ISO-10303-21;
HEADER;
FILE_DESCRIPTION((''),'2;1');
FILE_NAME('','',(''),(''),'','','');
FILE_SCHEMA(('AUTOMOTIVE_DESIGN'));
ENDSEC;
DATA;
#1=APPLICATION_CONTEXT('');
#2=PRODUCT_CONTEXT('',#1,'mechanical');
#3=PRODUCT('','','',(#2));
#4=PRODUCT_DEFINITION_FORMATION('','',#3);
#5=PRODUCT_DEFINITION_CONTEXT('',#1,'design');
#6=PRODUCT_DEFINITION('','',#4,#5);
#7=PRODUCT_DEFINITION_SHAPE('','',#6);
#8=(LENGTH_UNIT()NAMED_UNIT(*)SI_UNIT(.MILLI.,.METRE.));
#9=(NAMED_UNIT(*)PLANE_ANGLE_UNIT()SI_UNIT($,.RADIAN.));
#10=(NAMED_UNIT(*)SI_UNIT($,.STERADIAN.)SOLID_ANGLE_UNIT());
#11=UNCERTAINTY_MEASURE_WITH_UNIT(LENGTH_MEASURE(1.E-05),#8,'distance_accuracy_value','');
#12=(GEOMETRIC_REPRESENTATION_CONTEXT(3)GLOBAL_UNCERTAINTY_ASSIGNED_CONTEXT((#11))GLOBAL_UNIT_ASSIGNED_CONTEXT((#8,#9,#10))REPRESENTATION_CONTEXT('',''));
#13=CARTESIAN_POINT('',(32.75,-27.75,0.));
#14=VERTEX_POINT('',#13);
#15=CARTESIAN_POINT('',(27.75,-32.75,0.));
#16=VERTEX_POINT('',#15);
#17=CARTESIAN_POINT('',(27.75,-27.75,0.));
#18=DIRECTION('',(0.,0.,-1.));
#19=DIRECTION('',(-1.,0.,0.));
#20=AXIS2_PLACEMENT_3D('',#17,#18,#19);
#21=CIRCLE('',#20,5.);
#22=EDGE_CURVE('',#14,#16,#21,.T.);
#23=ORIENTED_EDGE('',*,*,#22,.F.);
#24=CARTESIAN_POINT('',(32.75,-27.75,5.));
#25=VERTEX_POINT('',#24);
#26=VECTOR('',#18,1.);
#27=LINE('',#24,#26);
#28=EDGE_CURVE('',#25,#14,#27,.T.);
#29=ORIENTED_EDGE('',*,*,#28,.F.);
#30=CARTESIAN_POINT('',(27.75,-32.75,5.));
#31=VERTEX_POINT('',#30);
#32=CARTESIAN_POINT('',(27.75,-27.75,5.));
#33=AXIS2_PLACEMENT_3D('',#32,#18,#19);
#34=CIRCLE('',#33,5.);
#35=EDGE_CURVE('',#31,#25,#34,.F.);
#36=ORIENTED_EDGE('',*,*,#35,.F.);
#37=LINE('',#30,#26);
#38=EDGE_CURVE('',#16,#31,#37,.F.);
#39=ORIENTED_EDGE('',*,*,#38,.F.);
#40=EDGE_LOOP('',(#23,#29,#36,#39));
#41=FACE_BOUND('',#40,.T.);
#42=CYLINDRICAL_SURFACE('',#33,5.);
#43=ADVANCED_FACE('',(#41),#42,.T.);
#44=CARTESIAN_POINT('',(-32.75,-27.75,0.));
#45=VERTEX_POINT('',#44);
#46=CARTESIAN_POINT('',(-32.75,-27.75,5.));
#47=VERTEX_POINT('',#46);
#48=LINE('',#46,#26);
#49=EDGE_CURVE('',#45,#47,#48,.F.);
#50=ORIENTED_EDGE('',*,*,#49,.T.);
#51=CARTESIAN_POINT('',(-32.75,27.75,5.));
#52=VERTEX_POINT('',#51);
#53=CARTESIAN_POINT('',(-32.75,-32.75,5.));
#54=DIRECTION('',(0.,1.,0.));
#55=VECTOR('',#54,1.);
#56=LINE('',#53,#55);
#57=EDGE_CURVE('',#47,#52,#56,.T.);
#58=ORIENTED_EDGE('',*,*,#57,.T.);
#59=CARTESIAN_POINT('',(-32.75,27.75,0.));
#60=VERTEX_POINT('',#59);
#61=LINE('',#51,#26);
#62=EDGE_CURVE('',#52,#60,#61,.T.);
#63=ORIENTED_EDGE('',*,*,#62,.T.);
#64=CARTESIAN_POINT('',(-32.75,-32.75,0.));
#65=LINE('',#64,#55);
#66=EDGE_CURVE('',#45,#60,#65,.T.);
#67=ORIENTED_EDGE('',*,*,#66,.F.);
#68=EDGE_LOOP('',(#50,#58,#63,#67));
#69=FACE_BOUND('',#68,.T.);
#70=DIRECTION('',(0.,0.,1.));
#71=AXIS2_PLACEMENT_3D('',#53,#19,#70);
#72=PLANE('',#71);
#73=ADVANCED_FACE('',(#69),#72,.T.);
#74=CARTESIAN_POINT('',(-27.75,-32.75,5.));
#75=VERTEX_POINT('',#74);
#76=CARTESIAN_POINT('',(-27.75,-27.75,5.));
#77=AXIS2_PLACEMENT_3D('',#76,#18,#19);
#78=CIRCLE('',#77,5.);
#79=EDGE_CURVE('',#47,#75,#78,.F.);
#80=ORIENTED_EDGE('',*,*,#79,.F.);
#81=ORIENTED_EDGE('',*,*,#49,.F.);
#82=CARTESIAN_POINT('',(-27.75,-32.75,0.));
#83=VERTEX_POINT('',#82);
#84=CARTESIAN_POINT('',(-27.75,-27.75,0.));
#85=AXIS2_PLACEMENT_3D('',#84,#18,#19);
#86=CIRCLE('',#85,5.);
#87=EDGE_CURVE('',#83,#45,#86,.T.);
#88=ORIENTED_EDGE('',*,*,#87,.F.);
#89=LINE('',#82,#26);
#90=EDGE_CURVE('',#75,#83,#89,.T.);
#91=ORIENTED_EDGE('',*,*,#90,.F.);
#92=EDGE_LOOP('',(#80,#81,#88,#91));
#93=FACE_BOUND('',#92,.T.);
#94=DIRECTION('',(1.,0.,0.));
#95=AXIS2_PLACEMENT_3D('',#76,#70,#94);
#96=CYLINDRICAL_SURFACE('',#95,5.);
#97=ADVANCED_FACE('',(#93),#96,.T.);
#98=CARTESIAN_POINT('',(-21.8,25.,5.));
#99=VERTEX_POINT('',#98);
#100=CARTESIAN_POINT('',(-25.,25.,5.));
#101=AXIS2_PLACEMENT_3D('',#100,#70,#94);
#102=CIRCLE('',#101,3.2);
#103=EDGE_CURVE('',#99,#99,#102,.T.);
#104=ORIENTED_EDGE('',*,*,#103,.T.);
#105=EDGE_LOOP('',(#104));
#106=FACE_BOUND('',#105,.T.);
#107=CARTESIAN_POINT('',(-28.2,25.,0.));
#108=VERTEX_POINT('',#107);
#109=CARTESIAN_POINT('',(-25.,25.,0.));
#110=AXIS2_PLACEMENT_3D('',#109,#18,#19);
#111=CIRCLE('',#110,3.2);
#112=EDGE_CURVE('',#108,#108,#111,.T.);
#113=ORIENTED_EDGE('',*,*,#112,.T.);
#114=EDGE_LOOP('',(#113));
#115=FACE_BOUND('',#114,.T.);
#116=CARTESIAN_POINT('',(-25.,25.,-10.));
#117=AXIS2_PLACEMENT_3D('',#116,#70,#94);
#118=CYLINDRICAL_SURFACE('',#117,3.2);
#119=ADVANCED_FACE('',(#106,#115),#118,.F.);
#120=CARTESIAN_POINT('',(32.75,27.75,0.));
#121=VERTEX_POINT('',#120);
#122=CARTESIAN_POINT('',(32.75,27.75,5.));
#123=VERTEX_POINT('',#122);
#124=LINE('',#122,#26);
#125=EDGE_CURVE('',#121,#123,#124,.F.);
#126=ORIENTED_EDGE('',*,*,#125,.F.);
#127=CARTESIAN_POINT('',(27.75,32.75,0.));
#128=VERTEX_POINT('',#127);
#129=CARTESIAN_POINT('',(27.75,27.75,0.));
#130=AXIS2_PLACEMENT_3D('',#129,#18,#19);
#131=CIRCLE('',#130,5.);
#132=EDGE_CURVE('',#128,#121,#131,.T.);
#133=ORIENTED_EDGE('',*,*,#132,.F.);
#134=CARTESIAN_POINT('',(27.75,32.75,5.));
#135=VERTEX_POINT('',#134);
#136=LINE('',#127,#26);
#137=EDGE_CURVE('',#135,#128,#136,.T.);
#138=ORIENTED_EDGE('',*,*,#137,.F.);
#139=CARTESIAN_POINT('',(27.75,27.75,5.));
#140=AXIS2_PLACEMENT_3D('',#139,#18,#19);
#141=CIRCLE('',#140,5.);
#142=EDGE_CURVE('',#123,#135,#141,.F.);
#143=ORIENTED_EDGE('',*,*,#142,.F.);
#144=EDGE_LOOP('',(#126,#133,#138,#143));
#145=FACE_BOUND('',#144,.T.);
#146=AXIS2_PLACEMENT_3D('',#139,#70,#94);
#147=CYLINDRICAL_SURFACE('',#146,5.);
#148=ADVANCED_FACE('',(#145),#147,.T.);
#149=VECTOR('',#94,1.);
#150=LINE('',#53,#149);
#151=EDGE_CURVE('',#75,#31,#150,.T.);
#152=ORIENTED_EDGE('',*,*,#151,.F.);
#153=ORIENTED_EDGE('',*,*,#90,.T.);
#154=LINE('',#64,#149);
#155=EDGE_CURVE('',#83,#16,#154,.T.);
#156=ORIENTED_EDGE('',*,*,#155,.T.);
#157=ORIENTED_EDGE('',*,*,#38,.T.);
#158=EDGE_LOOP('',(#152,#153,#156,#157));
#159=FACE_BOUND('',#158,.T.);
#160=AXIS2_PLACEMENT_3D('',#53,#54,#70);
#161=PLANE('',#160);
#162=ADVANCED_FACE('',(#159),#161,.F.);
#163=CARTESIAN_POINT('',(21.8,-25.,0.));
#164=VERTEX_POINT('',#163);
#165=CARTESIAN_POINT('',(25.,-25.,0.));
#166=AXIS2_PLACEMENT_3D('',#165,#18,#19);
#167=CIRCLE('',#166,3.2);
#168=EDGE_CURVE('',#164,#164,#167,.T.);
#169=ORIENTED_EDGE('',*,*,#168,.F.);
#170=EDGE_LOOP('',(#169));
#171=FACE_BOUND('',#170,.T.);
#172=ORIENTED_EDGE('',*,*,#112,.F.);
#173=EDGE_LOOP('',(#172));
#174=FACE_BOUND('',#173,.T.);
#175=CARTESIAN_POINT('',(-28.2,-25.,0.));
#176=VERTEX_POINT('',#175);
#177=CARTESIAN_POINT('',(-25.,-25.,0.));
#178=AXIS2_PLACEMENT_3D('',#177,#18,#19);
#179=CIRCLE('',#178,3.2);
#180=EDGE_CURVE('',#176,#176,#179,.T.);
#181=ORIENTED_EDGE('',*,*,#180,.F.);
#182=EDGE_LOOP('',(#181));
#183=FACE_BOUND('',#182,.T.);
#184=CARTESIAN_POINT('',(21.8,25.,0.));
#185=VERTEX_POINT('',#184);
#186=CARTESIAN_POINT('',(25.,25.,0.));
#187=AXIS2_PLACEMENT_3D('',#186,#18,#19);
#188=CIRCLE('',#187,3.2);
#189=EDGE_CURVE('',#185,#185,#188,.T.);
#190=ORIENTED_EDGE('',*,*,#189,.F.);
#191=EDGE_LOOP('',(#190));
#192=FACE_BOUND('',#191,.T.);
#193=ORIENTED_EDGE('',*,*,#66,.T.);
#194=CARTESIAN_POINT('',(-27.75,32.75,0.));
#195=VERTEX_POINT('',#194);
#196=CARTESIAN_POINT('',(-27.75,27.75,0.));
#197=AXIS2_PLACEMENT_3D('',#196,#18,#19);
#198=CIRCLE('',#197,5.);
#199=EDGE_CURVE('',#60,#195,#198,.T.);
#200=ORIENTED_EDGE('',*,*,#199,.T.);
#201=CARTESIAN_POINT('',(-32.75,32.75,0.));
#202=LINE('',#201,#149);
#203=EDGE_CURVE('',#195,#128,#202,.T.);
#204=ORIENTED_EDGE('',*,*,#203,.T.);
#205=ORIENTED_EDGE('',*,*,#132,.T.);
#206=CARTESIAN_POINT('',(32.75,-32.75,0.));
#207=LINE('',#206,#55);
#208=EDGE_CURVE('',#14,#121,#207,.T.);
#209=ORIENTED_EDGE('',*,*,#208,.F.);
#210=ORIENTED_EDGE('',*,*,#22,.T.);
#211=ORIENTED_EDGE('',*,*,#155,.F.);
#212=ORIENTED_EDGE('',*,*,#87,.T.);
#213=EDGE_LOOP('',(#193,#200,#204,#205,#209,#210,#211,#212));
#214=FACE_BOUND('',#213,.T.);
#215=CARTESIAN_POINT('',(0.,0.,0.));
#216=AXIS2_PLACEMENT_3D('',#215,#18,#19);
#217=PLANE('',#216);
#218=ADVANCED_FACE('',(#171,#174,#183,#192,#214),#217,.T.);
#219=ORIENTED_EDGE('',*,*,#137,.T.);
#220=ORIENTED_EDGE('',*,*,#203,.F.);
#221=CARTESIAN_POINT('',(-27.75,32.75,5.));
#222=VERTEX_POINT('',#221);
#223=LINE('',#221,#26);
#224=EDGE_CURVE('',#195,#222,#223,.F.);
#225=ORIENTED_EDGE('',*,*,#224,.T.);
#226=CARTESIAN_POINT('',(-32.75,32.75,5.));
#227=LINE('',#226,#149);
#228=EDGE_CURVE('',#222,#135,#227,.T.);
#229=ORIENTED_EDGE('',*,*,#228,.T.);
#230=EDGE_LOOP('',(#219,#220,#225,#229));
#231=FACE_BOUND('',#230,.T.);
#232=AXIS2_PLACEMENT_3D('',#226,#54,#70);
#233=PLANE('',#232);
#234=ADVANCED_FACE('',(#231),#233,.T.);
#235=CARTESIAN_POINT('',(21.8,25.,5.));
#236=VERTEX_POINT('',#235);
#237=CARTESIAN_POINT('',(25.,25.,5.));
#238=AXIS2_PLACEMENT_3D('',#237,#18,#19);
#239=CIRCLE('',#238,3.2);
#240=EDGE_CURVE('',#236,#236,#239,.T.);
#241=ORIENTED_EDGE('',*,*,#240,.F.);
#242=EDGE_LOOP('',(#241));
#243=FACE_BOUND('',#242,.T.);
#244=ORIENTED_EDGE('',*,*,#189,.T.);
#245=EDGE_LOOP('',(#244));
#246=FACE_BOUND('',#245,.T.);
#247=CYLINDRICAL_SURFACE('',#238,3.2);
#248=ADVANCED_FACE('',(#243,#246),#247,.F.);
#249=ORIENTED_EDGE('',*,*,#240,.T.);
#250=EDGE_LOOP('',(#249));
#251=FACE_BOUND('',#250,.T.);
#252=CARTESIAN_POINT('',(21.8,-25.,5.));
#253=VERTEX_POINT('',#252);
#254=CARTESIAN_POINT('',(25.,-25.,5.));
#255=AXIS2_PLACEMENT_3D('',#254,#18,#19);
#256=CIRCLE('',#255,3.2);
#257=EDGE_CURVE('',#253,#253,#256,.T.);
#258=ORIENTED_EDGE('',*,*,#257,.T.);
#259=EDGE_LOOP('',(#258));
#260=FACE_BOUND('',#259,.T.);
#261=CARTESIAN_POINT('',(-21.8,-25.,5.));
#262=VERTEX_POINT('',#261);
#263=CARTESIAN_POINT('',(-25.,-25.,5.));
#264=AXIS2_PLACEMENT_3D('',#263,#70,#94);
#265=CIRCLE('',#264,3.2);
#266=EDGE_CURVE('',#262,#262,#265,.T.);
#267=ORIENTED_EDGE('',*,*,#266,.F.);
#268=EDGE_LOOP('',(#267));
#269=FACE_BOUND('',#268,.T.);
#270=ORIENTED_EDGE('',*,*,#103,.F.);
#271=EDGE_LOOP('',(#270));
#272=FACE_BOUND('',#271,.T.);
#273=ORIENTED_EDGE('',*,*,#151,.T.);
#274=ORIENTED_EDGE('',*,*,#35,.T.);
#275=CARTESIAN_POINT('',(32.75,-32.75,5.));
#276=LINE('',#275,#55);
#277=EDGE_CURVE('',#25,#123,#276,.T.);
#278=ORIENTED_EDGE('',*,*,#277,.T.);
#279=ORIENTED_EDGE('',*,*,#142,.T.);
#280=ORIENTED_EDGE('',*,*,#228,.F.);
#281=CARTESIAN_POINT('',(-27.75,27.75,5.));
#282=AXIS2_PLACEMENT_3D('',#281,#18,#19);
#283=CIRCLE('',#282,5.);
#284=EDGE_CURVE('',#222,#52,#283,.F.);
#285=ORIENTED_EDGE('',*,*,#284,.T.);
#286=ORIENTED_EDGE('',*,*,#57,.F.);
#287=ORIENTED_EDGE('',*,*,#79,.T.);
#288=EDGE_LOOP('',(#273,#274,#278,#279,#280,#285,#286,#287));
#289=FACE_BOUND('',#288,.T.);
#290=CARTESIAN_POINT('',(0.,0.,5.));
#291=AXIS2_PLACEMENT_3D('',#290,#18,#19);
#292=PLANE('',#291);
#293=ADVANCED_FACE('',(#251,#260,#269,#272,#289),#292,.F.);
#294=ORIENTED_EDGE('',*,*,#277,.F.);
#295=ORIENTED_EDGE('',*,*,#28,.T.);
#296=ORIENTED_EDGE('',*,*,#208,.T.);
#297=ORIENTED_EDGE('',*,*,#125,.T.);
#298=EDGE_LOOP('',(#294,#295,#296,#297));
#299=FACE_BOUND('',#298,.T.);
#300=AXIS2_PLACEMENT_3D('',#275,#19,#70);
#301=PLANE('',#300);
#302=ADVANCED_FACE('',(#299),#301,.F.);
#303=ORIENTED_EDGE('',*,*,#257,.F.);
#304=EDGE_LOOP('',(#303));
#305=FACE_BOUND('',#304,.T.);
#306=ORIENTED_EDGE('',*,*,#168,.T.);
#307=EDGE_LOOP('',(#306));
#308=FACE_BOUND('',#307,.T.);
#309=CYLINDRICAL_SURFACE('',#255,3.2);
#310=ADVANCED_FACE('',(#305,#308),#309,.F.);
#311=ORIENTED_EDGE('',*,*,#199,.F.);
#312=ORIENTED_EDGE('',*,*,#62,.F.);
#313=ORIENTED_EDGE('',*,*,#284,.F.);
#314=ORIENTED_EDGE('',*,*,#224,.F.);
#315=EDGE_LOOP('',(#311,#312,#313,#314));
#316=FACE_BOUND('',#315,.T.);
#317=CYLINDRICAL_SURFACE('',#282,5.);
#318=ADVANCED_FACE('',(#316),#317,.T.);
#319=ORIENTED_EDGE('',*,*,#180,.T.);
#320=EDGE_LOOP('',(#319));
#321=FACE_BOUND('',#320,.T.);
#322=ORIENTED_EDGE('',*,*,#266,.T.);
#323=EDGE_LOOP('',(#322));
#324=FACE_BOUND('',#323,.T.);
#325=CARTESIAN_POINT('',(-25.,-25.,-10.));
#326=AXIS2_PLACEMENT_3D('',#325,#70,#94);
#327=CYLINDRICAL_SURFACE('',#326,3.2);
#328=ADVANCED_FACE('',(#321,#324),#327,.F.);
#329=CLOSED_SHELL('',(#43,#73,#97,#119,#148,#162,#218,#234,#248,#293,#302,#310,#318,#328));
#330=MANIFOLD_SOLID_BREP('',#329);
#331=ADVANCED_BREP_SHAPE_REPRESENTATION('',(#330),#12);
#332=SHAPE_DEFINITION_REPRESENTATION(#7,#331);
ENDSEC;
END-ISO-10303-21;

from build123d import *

# Parameters (mm, degrees)
SKETCH_1_W          = 65.5
SKETCH_1_H          = 65.5
EXTRUDE_1_DEPTH     = 5
FILLET_1_R          = 5
SKETCH_7_R          = 3.2
CUT_EXTRUDE_2_DEPTH = 5
CUT_EXTRUDE_START   = -15
SKETCH_3_R          = 3.2
CUT_EXTRUDE_3_DEPTH = 15
EXTRUDE_START       = -5
SKETCH_12_R         = 3.2
EXTRUDE_3_DEPTH     = 5


with BuildPart() as part:
    # 스케치1 → 보스-돌출1 (new body)
    with BuildSketch(Plane.XY):
        Rectangle(SKETCH_1_W, SKETCH_1_H)
    extrude(amount=EXTRUDE_1_DEPTH)

    # 필렛1
    fillet_1_edges = [part.edges().sort_by_distance(p)[0] for p in [
        (-32.75, -32.75, 2.5),
        (32.75, -32.75, 2.5),
        (32.75, 32.75, 2.5),
        (-32.75, 32.75, 2.5),
    ]]
    fillet(fillet_1_edges, radius=FILLET_1_R)

    # 스케치7 → 컷-돌출2 (cut)
    with BuildSketch(Plane(origin=(0, 0, 0), x_dir=(-1, 0, 0), z_dir=(0, 0, -1))):
        with Locations((-25, -25)):
            Circle(SKETCH_7_R)
        with Locations((-25, 25)):
            Circle(SKETCH_7_R)
    extrude(amount=-CUT_EXTRUDE_2_DEPTH, mode=Mode.SUBTRACT)

    # 스케치3 → 컷-돌출3 (cut)
    with BuildSketch(Plane.XY.offset(5).offset(CUT_EXTRUDE_START)):
        with Locations(Location((25, -25, 0), (0, 0, 180))):
            Circle(SKETCH_3_R)
        with Locations(Location((25, 25, 0), (0, 0, 180))):
            Circle(SKETCH_3_R)
        with Locations((25, 0)):
            Circle(SKETCH_3_R)
        with Locations((0, -25)):
            Circle(SKETCH_3_R)
        with Locations((0, 25)):
            Circle(SKETCH_3_R)
        Circle(SKETCH_3_R)
        with Locations((-25, -25)):
            Circle(SKETCH_3_R)
        with Locations((-25, 25)):
            Circle(SKETCH_3_R)
        with Locations((-25, 0)):
            Circle(SKETCH_3_R)
    extrude(amount=CUT_EXTRUDE_3_DEPTH, mode=Mode.SUBTRACT)

    # 스케치12 → 보스-돌출3 (add)
    with BuildSketch(Plane.XY.offset(5).offset(EXTRUDE_START)):
        with Locations((25, 0)):
            Circle(SKETCH_12_R)
        Circle(SKETCH_12_R)
        with Locations((0, -25)):
            Circle(SKETCH_12_R)
        with Locations((0, 25)):
            Circle(SKETCH_12_R)
        with Locations((-25, 0)):
            Circle(SKETCH_12_R)
    extrude(amount=EXTRUDE_3_DEPTH)


solid = part.part
